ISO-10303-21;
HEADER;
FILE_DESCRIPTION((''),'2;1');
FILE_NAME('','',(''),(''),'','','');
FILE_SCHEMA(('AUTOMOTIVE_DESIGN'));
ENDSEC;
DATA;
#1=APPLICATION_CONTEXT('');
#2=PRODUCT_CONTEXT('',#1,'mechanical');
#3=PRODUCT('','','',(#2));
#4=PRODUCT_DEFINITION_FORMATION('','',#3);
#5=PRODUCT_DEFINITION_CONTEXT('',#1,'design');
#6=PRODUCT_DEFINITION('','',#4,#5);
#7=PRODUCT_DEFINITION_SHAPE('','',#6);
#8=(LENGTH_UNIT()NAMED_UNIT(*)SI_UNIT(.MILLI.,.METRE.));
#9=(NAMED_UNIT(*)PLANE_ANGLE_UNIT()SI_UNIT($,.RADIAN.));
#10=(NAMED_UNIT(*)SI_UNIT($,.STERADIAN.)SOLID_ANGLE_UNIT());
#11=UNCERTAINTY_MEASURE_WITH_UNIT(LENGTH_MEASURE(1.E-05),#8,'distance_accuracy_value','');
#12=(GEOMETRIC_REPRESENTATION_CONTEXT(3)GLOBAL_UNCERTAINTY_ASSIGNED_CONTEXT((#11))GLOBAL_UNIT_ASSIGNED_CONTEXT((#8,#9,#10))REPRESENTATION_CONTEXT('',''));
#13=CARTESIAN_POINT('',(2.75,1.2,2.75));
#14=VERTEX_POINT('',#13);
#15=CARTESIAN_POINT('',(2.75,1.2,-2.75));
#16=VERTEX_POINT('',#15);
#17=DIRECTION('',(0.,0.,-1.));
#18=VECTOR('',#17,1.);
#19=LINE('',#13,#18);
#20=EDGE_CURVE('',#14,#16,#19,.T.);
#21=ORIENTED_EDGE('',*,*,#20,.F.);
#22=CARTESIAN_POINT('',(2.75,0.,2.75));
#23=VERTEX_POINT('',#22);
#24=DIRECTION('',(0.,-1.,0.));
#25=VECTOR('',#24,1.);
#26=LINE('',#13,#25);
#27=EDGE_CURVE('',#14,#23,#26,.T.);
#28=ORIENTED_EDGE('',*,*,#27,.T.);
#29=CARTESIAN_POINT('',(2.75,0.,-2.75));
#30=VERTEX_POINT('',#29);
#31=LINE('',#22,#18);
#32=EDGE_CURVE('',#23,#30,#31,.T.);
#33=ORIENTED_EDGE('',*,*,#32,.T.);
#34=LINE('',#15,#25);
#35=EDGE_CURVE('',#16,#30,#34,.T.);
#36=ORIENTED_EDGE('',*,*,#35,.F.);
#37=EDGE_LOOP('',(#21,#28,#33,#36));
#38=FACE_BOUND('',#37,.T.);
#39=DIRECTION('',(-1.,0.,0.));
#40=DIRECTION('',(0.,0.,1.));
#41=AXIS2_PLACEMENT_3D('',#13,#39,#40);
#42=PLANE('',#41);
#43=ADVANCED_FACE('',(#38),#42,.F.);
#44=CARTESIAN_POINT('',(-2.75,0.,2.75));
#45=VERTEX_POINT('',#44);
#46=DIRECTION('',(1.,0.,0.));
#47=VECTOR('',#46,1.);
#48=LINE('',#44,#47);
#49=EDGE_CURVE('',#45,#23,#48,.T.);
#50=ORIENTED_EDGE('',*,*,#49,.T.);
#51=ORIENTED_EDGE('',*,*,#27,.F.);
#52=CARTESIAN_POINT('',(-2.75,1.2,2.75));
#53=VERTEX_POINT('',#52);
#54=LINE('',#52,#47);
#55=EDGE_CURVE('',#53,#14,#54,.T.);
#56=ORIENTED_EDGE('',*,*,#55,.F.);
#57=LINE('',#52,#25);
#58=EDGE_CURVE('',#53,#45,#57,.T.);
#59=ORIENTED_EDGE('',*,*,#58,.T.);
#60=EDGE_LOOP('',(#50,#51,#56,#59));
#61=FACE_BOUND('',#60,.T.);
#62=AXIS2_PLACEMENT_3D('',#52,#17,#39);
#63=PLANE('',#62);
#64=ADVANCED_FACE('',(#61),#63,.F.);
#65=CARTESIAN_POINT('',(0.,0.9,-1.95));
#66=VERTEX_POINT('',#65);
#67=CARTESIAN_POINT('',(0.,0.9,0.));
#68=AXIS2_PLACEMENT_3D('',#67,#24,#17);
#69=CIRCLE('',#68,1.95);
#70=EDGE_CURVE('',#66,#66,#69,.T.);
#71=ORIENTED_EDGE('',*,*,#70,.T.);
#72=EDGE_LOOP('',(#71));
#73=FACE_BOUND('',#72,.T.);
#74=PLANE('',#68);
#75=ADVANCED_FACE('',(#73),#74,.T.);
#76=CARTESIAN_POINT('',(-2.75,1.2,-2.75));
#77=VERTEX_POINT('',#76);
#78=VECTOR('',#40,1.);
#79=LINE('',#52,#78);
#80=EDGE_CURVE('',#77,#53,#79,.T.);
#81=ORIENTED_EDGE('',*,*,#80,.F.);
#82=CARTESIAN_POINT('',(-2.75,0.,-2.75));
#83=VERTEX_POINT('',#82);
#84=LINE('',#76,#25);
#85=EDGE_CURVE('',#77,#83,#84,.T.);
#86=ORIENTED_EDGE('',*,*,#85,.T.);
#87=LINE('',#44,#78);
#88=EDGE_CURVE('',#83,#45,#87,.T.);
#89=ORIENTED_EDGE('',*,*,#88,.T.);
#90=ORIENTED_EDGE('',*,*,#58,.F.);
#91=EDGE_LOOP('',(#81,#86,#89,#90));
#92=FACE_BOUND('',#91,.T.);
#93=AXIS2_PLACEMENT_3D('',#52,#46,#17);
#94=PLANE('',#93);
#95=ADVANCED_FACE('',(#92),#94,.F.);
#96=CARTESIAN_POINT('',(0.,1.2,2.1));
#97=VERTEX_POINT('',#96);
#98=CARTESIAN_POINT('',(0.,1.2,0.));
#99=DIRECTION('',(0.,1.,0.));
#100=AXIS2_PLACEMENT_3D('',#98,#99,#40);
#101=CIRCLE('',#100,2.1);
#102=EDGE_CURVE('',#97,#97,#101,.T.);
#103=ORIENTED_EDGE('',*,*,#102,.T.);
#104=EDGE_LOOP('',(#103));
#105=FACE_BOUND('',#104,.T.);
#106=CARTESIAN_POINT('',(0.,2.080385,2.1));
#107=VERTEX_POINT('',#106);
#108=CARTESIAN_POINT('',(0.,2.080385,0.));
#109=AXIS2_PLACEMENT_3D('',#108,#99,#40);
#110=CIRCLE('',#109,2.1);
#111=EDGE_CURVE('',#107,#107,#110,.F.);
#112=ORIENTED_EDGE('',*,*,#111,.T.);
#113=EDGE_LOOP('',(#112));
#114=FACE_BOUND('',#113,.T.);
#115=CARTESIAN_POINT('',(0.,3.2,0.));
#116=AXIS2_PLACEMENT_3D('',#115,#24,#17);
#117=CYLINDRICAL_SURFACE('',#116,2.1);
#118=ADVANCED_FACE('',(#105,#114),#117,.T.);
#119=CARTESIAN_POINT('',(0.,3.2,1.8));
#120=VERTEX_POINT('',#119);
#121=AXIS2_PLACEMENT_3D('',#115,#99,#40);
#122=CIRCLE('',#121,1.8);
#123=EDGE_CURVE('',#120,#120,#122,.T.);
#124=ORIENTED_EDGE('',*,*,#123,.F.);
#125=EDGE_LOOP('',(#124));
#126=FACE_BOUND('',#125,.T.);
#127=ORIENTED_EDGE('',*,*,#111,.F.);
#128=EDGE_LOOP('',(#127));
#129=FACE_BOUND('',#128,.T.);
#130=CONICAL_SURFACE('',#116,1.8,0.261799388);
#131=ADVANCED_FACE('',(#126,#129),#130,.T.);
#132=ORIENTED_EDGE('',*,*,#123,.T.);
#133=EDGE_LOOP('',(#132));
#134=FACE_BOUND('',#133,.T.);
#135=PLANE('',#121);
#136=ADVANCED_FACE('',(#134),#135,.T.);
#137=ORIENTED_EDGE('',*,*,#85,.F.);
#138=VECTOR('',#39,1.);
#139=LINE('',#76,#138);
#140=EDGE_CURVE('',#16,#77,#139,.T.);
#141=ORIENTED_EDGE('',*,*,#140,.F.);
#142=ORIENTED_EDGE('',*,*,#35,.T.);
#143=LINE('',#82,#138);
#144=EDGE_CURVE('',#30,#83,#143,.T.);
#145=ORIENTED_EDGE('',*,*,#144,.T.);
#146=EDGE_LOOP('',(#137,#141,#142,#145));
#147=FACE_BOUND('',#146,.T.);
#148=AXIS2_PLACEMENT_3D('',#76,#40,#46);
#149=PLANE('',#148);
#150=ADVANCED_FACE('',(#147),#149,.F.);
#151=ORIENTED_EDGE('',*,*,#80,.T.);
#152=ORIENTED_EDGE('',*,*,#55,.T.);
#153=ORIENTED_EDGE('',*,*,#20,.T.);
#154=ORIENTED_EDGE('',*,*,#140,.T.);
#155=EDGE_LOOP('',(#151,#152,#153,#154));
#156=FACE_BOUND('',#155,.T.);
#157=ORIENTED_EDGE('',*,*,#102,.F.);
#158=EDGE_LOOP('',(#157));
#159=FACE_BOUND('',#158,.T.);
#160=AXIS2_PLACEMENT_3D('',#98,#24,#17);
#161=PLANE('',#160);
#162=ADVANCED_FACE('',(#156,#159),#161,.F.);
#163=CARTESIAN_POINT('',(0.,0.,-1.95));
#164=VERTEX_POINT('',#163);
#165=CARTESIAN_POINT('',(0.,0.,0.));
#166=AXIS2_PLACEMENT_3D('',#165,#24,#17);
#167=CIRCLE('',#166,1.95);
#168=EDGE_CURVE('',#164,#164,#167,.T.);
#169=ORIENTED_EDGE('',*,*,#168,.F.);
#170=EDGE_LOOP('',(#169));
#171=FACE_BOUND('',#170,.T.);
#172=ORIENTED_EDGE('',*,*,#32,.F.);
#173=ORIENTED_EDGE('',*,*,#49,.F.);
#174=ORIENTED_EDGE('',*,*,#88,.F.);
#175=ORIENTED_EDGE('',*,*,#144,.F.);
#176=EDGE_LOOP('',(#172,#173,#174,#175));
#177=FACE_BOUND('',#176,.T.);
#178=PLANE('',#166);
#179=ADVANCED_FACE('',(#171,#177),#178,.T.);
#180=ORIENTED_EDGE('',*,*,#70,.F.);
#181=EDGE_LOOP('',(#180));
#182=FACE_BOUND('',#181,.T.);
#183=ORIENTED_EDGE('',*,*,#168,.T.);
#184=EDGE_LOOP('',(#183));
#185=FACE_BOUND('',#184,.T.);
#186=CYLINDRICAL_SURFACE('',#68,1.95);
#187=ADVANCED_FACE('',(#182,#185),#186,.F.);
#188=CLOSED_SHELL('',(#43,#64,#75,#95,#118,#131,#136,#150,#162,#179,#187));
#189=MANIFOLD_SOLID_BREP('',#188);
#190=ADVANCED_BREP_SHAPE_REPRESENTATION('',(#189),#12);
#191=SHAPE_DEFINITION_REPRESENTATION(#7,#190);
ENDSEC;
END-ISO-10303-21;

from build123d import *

# Parameters (mm, degrees)
SKETCH1_W           = 5.5
SKETCH1_H           = 5.5
BOSS_EXTRUDE1_DEPTH = 1.2
SKETCH2_R           = 2.1
BOSS_EXTRUDE2_DEPTH = 2
SKETCH3_R           = 1.95
CUT_EXTRUDE1_DEPTH  = 0.9
CHAMFER2_SIZE       = 0.3
CHAMFER2_SIZE2      = 1.119615242


with BuildPart() as part:
    # Sketch1 → Boss-Extrude1 (new body)
    with BuildSketch(Plane(origin=(0, 0, 0), x_dir=(1, 0, 0), z_dir=(0, 1, 0))):
        Rectangle(SKETCH1_W, SKETCH1_H)
    extrude(amount=BOSS_EXTRUDE1_DEPTH)

    # Sketch2 → Boss-Extrude2 (add)
    with BuildSketch(Plane(origin=(0, 1.2, 0), x_dir=(1, 0, 0), z_dir=(0, 1, 0))):
        with Locations(Location((0, 0, 0), (0, 0, 270))):
            Circle(SKETCH2_R)
    extrude(amount=BOSS_EXTRUDE2_DEPTH)

    # Sketch3 → Cut-Extrude1 (cut)
    with BuildSketch(Plane.XZ):
        with Locations(Location((0, 0, 0), (0, 0, 270))):
            Circle(SKETCH3_R)
    extrude(amount=-CUT_EXTRUDE1_DEPTH, mode=Mode.SUBTRACT)

    # Chamfer2
    chamfer2_edges = [part.edges().sort_by_distance(p)[0] for p in [
        (0, 3.2, -2.1),
    ]]
    chamfer2_side = [part.faces().sort_by_distance(p)[0] for p in [
        (0, 3.2, 0),
    ]]
    chamfer(chamfer2_edges, length=CHAMFER2_SIZE, length2=CHAMFER2_SIZE2, reference=chamfer2_side[0])


solid = part.part
